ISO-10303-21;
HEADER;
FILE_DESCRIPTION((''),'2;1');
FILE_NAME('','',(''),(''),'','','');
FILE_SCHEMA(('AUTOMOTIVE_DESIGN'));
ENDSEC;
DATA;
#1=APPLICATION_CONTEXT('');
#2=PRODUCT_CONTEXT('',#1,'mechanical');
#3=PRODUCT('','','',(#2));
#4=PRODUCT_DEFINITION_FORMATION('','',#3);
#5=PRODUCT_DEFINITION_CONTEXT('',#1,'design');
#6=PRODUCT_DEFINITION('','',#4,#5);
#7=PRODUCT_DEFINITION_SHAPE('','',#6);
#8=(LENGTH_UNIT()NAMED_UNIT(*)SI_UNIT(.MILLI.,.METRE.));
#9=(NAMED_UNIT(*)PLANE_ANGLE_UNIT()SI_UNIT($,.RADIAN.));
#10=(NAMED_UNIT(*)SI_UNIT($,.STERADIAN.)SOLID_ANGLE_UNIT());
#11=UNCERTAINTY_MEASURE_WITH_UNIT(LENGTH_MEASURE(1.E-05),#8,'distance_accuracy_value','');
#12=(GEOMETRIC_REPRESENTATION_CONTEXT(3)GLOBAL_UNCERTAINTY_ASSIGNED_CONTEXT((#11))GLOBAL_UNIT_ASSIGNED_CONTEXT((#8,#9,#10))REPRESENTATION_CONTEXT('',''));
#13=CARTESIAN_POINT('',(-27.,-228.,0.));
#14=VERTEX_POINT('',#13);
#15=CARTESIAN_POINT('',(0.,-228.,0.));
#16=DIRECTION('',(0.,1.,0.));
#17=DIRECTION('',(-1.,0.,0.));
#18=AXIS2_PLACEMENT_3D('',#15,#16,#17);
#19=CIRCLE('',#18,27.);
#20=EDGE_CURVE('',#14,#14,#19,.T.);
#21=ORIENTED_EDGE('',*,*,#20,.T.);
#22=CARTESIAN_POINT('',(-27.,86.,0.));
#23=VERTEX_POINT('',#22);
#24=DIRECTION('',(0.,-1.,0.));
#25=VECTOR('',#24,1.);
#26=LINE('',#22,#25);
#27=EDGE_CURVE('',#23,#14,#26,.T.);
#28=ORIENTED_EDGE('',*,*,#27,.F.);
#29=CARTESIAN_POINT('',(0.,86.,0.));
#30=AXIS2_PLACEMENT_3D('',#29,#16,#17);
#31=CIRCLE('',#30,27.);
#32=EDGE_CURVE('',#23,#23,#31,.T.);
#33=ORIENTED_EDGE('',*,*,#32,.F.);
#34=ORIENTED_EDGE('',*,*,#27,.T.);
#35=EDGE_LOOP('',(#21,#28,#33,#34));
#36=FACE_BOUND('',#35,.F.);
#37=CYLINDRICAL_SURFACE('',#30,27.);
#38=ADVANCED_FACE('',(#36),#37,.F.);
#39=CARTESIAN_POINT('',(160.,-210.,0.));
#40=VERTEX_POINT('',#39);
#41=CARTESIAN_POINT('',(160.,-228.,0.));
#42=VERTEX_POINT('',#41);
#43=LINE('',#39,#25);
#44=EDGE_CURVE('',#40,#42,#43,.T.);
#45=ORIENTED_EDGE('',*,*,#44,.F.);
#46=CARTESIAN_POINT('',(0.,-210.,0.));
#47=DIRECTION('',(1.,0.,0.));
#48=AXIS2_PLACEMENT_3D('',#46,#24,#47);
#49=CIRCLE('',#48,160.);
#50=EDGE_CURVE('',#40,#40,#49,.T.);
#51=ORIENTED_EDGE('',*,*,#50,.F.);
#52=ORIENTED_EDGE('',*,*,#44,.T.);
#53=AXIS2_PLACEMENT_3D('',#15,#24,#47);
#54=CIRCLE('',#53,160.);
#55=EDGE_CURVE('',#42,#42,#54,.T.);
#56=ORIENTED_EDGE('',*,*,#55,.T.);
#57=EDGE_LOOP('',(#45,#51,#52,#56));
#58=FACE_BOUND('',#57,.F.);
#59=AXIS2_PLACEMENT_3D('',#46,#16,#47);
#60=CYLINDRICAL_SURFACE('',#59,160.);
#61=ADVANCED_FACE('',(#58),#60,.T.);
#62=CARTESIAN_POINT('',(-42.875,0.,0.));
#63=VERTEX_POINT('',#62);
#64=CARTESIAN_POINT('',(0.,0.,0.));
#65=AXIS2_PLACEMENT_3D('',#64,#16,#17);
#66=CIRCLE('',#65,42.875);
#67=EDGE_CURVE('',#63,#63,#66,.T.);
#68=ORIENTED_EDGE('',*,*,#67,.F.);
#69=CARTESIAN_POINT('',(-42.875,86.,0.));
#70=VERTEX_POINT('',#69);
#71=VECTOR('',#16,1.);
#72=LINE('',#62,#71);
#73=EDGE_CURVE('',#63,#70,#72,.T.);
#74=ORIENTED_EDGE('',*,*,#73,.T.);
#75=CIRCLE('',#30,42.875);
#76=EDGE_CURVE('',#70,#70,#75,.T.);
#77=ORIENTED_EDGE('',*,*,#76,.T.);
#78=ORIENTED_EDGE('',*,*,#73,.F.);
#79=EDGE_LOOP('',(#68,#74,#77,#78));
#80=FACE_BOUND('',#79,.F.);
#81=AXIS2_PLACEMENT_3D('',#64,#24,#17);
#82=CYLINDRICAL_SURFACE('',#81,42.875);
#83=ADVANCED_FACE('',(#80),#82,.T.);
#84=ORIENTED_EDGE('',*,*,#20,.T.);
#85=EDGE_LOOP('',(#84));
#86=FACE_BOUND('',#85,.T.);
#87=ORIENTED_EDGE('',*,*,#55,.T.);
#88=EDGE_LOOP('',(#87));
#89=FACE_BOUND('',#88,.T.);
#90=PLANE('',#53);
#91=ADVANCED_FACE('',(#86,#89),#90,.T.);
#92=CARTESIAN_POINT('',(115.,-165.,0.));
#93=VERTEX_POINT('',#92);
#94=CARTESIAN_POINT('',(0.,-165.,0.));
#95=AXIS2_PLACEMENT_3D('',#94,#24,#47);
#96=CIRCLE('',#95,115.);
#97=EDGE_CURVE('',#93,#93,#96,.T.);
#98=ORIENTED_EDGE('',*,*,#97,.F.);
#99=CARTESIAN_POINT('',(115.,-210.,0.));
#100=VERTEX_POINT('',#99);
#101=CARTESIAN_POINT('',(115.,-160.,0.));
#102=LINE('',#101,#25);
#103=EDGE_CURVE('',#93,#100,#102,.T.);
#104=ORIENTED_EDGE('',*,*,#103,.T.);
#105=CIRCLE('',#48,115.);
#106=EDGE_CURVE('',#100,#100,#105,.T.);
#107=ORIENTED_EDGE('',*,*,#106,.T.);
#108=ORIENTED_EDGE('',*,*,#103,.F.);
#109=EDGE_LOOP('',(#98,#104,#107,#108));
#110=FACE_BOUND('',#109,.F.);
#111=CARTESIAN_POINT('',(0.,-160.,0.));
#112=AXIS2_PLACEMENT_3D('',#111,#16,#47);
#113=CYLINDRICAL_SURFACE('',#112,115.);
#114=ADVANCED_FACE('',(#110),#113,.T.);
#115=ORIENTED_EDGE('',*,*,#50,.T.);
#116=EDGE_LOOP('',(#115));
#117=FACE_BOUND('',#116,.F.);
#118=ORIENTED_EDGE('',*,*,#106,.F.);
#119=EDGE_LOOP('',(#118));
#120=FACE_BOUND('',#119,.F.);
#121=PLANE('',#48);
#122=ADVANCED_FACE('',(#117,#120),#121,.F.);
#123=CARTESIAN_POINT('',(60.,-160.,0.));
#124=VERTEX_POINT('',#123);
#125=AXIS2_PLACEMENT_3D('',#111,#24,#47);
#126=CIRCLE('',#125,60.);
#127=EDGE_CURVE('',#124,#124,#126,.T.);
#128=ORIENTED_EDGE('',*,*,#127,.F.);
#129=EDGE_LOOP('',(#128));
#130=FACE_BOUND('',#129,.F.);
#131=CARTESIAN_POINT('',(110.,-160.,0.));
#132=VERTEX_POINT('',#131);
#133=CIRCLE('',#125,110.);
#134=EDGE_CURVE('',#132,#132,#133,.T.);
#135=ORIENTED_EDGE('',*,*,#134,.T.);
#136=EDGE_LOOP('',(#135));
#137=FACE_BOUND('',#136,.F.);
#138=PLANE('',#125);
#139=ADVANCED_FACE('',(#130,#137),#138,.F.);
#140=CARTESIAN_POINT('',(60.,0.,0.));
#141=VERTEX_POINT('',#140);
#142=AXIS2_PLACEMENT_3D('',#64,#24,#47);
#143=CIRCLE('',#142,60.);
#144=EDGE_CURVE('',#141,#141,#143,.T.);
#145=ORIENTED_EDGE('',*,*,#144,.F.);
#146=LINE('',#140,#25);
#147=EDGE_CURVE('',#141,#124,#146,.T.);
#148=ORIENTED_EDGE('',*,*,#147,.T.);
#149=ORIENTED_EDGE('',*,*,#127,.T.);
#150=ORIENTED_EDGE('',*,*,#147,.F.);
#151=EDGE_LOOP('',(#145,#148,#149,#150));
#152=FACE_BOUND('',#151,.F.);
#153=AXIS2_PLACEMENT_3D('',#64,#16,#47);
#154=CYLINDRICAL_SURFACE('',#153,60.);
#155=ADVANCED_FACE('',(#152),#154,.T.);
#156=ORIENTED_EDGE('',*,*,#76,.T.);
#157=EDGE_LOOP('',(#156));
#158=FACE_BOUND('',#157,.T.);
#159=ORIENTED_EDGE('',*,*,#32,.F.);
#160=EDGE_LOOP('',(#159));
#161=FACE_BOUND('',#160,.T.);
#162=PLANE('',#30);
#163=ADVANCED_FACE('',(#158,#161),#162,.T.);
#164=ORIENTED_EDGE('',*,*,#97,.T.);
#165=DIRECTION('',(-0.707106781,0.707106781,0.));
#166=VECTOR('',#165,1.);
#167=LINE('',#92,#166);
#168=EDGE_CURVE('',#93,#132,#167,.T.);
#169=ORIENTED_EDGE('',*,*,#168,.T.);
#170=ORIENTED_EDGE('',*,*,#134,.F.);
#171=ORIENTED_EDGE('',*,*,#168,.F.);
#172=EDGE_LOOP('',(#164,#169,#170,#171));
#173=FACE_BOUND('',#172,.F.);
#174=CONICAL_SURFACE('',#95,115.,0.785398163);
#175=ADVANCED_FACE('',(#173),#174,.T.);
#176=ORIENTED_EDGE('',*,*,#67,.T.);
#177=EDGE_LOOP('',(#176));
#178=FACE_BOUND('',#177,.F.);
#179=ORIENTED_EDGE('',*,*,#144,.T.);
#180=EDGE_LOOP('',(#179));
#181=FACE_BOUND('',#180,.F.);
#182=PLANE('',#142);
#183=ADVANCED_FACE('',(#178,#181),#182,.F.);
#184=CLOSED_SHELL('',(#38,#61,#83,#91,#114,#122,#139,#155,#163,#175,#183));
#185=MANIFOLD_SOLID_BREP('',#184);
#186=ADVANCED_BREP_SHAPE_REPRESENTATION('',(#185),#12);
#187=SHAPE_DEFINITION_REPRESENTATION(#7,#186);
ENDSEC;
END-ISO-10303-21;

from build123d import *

# Parameters (mm, degrees)
F0_R      = 60
F1_DEPTH  = 160
F2_R      = 115
F3_DEPTH  = 50
F4_R      = 160
F5_DEPTH  = 18
F6_SIZE   = 5
F7_R      = 42.875
F8_DEPTH  = 86
F9_R      = 27
F10_DEPTH = 430


with BuildPart() as f1:
    # F0 (on Front) → F1 (new body)
    with BuildSketch(Plane.XZ):
        Circle(F0_R)
    extrude(amount=F1_DEPTH)

    # F2 (on face) → F3 (join)
    with BuildSketch(Plane.XZ.offset(160)):
        Circle(F2_R)
    extrude(amount=F3_DEPTH)

    # F4 (on face) → F5 (join)
    with BuildSketch(Plane.XZ.offset(210)):
        Circle(F4_R)
    extrude(amount=F5_DEPTH)

    # F6
    f6_edges = [f1.edges().sort_by_distance(p)[0] for p in [
        (-115, -160, 0),
    ]]
    chamfer(f6_edges, length=F6_SIZE)

    # F7 (on face) → F8 (join)
    with BuildSketch(Plane(origin=(0, 0, 0), x_dir=(-1, 0, 0), z_dir=(0, 1, 0))):
        Circle(F7_R)
    extrude(amount=F8_DEPTH)

    # F9 (on face) → F10 (cut)
    with BuildSketch(Plane(origin=(0, 86, 0), x_dir=(-1, 0, 0), z_dir=(0, 1, 0))):
        Circle(F9_R)
    extrude(amount=-F10_DEPTH, mode=Mode.SUBTRACT)


solid = f1.part
